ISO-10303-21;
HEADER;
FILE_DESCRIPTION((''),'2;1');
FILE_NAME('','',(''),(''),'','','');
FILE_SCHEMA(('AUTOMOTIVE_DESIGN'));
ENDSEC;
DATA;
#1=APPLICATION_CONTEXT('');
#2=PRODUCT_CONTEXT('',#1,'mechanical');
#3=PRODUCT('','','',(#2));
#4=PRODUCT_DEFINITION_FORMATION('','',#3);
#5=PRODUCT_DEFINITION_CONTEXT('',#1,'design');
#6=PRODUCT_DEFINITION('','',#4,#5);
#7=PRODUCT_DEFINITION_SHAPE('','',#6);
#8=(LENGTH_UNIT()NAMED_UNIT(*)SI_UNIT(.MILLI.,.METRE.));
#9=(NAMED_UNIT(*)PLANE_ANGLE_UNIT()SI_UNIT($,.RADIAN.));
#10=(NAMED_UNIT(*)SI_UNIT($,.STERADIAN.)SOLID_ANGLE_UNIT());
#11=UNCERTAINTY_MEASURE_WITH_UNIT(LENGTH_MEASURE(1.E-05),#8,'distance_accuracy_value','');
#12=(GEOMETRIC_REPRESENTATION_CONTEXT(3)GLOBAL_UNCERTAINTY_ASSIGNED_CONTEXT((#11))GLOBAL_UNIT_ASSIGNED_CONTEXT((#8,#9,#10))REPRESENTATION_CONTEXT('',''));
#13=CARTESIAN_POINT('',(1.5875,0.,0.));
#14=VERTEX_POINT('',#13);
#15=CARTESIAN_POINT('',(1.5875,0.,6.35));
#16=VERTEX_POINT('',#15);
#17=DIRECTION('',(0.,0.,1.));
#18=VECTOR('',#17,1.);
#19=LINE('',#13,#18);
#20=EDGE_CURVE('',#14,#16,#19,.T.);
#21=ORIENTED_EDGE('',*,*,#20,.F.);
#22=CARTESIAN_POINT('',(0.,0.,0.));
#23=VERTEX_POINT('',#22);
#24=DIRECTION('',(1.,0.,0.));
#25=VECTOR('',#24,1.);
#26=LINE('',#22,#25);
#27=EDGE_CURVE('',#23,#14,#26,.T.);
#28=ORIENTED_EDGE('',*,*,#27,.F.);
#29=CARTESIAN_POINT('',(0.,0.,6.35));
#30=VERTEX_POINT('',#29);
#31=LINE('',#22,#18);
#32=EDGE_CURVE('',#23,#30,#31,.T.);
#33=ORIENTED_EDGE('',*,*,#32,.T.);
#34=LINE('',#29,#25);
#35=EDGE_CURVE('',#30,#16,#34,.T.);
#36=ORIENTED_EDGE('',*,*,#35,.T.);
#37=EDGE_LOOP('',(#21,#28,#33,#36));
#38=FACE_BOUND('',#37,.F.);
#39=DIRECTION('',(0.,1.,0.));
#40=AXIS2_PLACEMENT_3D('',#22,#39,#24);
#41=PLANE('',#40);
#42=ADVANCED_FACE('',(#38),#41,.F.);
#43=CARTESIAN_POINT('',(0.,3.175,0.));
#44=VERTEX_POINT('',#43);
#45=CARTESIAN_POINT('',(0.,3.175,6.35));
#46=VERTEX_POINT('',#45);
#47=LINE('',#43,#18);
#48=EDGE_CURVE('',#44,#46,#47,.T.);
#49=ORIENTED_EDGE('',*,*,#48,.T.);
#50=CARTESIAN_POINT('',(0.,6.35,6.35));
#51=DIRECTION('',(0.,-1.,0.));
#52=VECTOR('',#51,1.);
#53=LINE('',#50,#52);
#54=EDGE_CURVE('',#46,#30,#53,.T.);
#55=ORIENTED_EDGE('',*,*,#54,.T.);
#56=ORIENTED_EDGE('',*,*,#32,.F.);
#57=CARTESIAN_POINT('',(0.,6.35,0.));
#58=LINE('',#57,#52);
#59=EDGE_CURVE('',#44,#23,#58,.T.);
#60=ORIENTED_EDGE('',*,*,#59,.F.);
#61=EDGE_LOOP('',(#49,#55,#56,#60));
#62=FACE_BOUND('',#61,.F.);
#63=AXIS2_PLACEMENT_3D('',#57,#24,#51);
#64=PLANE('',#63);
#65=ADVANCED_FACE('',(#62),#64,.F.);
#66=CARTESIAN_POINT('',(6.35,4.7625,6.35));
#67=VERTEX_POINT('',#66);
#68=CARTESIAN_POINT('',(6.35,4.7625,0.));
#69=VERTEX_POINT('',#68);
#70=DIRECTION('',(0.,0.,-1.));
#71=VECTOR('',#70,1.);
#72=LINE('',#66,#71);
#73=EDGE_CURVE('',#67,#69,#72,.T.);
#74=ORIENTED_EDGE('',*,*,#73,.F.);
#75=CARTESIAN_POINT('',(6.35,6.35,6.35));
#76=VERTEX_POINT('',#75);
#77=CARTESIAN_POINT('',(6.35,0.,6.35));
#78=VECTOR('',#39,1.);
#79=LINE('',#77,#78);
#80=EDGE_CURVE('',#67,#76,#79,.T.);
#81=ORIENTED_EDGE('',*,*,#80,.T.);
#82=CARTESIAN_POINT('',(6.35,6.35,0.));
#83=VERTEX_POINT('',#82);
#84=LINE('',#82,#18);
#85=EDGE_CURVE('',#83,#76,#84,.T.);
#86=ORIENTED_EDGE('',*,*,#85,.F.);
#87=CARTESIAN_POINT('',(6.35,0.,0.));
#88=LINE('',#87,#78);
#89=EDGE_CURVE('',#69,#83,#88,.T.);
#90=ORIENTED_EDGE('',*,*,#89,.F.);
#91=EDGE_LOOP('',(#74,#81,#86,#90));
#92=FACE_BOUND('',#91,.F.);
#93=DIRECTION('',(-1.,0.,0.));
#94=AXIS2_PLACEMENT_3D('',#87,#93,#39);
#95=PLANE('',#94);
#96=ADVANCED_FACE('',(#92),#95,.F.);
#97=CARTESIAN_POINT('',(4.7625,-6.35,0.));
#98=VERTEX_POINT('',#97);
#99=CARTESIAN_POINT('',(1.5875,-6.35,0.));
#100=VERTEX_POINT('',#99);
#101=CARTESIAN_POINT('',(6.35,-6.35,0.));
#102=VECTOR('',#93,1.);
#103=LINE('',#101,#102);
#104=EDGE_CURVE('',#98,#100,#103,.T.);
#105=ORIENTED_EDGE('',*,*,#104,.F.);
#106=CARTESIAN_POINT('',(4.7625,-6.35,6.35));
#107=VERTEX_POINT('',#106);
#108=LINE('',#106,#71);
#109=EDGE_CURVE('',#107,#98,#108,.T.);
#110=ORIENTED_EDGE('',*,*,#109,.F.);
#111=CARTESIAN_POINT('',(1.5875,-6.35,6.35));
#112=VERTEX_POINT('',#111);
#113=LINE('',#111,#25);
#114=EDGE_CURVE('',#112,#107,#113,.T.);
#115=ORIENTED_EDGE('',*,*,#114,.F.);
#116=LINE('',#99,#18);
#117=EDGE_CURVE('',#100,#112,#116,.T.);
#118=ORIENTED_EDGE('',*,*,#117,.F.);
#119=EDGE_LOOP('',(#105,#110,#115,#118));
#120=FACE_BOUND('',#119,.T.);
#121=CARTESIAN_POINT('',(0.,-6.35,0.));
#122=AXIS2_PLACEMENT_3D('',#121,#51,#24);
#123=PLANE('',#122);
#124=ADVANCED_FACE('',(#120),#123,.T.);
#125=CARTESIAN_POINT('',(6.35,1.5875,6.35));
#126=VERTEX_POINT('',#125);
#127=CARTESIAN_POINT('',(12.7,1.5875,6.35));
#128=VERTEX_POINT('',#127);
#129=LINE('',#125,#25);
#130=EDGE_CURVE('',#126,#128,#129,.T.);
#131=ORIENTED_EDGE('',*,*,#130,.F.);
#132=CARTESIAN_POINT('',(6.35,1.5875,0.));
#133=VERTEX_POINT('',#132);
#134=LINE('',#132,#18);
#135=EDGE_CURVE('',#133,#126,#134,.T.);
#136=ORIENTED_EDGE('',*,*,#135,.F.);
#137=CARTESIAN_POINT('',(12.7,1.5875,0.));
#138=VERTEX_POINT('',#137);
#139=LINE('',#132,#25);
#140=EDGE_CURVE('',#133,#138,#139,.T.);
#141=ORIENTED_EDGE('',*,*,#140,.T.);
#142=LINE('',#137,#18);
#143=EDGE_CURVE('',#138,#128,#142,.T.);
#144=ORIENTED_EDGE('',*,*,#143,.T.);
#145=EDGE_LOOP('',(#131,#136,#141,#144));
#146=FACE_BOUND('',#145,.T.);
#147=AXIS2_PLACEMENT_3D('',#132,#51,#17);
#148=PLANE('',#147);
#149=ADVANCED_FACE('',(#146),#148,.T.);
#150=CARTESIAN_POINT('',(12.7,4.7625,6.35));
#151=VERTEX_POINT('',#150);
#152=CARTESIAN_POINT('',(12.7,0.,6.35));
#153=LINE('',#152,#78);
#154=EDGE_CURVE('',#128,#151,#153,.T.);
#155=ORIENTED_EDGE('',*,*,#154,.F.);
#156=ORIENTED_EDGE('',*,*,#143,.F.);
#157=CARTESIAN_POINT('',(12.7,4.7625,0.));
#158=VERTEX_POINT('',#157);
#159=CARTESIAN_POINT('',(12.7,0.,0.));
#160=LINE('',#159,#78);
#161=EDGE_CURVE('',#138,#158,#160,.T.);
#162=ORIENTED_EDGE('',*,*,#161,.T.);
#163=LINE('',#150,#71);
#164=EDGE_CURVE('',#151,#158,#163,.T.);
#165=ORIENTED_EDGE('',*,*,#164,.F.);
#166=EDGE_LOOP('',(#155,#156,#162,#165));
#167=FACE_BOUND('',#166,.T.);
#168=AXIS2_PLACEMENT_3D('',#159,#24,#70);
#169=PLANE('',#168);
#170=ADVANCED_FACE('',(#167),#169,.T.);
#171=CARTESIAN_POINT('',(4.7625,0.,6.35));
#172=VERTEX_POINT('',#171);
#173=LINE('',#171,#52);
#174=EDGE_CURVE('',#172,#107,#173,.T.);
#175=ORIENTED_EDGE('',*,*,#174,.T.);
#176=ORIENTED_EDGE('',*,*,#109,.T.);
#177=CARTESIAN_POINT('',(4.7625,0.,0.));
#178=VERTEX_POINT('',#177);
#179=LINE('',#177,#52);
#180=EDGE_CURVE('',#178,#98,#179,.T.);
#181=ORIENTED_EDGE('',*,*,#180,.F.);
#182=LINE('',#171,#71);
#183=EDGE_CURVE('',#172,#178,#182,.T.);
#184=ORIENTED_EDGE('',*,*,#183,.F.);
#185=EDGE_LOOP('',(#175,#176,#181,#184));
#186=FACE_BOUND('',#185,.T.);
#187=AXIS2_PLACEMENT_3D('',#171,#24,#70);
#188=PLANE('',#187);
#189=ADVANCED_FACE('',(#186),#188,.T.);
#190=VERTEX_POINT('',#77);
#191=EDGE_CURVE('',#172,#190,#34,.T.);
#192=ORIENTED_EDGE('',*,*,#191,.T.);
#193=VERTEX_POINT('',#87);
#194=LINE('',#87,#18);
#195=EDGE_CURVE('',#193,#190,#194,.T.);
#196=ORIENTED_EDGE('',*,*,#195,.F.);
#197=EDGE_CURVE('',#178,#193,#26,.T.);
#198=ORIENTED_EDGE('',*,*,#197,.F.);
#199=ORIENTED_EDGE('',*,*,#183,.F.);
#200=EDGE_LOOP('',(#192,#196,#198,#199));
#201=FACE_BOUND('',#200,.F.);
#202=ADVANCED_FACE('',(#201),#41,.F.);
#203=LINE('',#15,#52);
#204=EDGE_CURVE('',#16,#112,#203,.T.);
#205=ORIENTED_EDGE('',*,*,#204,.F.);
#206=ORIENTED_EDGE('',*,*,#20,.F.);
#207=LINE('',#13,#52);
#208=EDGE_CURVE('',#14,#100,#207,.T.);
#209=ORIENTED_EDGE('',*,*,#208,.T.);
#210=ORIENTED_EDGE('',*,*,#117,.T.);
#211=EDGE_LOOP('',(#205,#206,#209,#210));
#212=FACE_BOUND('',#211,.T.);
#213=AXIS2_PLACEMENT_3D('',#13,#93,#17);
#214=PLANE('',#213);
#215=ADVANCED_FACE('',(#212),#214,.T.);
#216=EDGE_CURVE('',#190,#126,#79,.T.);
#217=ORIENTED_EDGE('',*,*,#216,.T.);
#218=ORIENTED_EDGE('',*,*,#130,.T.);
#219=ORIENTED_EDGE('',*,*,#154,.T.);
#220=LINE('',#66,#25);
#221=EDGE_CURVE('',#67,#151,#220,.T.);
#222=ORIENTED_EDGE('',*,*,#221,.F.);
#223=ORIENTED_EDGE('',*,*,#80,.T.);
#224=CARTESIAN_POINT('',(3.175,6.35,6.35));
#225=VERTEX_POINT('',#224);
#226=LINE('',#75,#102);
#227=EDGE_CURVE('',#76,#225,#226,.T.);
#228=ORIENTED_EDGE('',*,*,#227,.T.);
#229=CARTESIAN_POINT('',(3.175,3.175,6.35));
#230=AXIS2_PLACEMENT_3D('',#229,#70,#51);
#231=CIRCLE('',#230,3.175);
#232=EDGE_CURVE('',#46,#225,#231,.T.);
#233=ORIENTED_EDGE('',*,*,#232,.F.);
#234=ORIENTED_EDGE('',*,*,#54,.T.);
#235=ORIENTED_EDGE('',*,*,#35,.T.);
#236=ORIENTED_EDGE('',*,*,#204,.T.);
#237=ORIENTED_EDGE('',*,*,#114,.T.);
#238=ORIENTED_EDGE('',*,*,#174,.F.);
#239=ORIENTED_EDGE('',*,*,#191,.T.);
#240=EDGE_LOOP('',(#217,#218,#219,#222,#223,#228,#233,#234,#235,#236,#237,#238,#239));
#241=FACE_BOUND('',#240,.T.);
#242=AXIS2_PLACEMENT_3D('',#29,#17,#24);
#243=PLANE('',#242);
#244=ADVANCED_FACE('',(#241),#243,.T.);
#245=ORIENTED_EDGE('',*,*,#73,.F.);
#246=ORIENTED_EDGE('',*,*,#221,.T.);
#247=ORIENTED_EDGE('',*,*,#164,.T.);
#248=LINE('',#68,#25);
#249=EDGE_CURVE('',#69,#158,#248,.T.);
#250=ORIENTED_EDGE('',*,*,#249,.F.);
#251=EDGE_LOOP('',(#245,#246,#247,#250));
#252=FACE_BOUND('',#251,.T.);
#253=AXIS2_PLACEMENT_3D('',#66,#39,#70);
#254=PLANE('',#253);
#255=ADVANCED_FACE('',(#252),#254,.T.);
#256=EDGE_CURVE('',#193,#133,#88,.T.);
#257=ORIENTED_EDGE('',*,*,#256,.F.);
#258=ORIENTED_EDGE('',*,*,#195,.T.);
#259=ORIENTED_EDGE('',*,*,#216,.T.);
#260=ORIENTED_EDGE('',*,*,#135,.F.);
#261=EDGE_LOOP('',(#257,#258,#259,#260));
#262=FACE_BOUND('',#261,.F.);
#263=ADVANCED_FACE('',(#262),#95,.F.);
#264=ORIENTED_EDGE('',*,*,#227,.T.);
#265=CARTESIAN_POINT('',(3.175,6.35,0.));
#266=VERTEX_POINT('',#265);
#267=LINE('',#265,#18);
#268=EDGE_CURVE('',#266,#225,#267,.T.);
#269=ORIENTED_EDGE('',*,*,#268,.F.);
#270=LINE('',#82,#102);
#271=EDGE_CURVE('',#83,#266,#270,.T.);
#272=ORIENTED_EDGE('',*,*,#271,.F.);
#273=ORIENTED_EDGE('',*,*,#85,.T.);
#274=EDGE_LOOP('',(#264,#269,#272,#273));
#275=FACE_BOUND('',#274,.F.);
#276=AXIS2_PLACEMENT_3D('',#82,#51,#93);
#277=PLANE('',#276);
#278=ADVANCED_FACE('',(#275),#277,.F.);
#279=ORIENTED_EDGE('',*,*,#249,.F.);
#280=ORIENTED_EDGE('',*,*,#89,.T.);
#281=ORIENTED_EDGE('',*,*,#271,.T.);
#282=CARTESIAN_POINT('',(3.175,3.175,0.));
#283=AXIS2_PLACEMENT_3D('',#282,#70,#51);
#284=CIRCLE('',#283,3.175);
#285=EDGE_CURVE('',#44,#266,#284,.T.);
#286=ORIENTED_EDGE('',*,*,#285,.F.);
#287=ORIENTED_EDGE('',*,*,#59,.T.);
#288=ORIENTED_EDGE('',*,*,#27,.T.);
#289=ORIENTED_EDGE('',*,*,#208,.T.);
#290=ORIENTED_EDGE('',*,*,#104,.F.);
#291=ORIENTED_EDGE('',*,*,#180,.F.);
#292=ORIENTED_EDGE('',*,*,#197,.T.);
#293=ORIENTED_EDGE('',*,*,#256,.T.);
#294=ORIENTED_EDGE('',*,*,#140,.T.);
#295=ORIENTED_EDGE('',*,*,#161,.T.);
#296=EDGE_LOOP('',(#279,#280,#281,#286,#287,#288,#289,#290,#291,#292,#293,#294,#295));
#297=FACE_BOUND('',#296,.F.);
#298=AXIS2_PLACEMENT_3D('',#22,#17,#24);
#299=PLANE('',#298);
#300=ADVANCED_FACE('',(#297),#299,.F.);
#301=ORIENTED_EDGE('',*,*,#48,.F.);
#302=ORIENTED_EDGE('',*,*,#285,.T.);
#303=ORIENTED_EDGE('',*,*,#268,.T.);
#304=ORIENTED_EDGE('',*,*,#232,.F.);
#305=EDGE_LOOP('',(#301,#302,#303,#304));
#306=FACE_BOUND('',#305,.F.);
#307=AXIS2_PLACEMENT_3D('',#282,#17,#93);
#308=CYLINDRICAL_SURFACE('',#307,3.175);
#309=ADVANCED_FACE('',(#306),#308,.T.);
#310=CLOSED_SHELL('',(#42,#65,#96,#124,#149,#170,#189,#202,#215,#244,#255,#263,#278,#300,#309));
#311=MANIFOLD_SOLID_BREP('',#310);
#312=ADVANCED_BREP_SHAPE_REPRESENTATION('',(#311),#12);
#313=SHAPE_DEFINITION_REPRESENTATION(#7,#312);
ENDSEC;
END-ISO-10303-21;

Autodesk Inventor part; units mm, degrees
ref_plane "YZ Plane" through (0, 0, 0) normal (1, 0, 0) x (0, 1, 0)
ref_plane "XZ Plane" through (0, 0, 0) normal (0, 1, 0) x (-1, 0, 0)
ref_plane "XY Plane" through (0, 0, 0) normal (0, 0, 1) x (1, 0, 0)
sketch "Sketch1" plane through (0, 0, 0) normal (0, 0, 1) x (1, 0, 0)
  line L0 (0, 0) -> (6.35, 0)
  line L1 (6.35, 0) -> (6.35, 6.35)
  line L2 (6.35, 6.35) -> (0, 6.35)
  line L3 (0, 6.35) -> (0, 0)
  dimension "d0" = 6.35
  dimension "d1" = 6.35
extrude "Extrusion1" add sketch "Sketch1" along normal blind 6.35
sketch "Sketch2" plane through (6.35, 0, 0) normal (1, 0, 0) x (0, 0, -1)
  line L0 (0, 6.35) -> (-6.35, 6.35) projected
  line L1 (-4.7625, 6.35) -> (-1.5875, 6.35)
  line L2 (0, 0) -> (0, 6.35) projected
  line L3 (-6.35, 0) -> (-6.35, 6.35) projected
  line L4 (-6.35, 4.7625) -> (0, 4.7625)
  line L5 (0, 4.7625) -> (0, 1.5875)
  line L6 (0, 1.5875) -> (-6.35, 1.5875)
  line L7 (-6.35, 1.5875) -> (-6.35, 4.7625)
  line L8 (0, 0) -> (-6.35, 0) projected
  dimension "d13" = 3.175
  dimension "d14" = 1.5875
sketch "Sketch3" plane through (0, 0, 0) normal (0, -1, 0) x (1, 0, 0)
  line L0 (6.35, 0) -> (0, 0) projected
  line L1 (1.5875, 6.35) -> (4.7625, 6.35)
  line L2 (4.7625, 6.35) -> (4.7625, 0)
  line L3 (4.7625, 0) -> (1.5875, 0)
  line L4 (1.5875, 0) -> (1.5875, 6.35)
  line L5 (6.35, 0) -> (6.35, 6.35) projected
  line L6 (0, 6.35) -> (6.35, 6.35) projected
  line L7 (0, 0) -> (0, 6.35) projected
  point P0 (6.35, 4.7625)
  dimension "d9" = 3.175
  dimension "d10" = 0
  dimension "d17" = 1.5875
extrude "Extrusion3" add sketch "Sketch3" along normal blind 6.35 contours L0 L4 L1 L2
extrude "Extrusion4" add sketch "Sketch2" along normal blind 6.35 contours L2 L6 L3 L4
fillet "Fillet1" radius 3.175 1 edges at (0, 6.35, 3.175)
properties part number "MonsterHolderSupport3"
